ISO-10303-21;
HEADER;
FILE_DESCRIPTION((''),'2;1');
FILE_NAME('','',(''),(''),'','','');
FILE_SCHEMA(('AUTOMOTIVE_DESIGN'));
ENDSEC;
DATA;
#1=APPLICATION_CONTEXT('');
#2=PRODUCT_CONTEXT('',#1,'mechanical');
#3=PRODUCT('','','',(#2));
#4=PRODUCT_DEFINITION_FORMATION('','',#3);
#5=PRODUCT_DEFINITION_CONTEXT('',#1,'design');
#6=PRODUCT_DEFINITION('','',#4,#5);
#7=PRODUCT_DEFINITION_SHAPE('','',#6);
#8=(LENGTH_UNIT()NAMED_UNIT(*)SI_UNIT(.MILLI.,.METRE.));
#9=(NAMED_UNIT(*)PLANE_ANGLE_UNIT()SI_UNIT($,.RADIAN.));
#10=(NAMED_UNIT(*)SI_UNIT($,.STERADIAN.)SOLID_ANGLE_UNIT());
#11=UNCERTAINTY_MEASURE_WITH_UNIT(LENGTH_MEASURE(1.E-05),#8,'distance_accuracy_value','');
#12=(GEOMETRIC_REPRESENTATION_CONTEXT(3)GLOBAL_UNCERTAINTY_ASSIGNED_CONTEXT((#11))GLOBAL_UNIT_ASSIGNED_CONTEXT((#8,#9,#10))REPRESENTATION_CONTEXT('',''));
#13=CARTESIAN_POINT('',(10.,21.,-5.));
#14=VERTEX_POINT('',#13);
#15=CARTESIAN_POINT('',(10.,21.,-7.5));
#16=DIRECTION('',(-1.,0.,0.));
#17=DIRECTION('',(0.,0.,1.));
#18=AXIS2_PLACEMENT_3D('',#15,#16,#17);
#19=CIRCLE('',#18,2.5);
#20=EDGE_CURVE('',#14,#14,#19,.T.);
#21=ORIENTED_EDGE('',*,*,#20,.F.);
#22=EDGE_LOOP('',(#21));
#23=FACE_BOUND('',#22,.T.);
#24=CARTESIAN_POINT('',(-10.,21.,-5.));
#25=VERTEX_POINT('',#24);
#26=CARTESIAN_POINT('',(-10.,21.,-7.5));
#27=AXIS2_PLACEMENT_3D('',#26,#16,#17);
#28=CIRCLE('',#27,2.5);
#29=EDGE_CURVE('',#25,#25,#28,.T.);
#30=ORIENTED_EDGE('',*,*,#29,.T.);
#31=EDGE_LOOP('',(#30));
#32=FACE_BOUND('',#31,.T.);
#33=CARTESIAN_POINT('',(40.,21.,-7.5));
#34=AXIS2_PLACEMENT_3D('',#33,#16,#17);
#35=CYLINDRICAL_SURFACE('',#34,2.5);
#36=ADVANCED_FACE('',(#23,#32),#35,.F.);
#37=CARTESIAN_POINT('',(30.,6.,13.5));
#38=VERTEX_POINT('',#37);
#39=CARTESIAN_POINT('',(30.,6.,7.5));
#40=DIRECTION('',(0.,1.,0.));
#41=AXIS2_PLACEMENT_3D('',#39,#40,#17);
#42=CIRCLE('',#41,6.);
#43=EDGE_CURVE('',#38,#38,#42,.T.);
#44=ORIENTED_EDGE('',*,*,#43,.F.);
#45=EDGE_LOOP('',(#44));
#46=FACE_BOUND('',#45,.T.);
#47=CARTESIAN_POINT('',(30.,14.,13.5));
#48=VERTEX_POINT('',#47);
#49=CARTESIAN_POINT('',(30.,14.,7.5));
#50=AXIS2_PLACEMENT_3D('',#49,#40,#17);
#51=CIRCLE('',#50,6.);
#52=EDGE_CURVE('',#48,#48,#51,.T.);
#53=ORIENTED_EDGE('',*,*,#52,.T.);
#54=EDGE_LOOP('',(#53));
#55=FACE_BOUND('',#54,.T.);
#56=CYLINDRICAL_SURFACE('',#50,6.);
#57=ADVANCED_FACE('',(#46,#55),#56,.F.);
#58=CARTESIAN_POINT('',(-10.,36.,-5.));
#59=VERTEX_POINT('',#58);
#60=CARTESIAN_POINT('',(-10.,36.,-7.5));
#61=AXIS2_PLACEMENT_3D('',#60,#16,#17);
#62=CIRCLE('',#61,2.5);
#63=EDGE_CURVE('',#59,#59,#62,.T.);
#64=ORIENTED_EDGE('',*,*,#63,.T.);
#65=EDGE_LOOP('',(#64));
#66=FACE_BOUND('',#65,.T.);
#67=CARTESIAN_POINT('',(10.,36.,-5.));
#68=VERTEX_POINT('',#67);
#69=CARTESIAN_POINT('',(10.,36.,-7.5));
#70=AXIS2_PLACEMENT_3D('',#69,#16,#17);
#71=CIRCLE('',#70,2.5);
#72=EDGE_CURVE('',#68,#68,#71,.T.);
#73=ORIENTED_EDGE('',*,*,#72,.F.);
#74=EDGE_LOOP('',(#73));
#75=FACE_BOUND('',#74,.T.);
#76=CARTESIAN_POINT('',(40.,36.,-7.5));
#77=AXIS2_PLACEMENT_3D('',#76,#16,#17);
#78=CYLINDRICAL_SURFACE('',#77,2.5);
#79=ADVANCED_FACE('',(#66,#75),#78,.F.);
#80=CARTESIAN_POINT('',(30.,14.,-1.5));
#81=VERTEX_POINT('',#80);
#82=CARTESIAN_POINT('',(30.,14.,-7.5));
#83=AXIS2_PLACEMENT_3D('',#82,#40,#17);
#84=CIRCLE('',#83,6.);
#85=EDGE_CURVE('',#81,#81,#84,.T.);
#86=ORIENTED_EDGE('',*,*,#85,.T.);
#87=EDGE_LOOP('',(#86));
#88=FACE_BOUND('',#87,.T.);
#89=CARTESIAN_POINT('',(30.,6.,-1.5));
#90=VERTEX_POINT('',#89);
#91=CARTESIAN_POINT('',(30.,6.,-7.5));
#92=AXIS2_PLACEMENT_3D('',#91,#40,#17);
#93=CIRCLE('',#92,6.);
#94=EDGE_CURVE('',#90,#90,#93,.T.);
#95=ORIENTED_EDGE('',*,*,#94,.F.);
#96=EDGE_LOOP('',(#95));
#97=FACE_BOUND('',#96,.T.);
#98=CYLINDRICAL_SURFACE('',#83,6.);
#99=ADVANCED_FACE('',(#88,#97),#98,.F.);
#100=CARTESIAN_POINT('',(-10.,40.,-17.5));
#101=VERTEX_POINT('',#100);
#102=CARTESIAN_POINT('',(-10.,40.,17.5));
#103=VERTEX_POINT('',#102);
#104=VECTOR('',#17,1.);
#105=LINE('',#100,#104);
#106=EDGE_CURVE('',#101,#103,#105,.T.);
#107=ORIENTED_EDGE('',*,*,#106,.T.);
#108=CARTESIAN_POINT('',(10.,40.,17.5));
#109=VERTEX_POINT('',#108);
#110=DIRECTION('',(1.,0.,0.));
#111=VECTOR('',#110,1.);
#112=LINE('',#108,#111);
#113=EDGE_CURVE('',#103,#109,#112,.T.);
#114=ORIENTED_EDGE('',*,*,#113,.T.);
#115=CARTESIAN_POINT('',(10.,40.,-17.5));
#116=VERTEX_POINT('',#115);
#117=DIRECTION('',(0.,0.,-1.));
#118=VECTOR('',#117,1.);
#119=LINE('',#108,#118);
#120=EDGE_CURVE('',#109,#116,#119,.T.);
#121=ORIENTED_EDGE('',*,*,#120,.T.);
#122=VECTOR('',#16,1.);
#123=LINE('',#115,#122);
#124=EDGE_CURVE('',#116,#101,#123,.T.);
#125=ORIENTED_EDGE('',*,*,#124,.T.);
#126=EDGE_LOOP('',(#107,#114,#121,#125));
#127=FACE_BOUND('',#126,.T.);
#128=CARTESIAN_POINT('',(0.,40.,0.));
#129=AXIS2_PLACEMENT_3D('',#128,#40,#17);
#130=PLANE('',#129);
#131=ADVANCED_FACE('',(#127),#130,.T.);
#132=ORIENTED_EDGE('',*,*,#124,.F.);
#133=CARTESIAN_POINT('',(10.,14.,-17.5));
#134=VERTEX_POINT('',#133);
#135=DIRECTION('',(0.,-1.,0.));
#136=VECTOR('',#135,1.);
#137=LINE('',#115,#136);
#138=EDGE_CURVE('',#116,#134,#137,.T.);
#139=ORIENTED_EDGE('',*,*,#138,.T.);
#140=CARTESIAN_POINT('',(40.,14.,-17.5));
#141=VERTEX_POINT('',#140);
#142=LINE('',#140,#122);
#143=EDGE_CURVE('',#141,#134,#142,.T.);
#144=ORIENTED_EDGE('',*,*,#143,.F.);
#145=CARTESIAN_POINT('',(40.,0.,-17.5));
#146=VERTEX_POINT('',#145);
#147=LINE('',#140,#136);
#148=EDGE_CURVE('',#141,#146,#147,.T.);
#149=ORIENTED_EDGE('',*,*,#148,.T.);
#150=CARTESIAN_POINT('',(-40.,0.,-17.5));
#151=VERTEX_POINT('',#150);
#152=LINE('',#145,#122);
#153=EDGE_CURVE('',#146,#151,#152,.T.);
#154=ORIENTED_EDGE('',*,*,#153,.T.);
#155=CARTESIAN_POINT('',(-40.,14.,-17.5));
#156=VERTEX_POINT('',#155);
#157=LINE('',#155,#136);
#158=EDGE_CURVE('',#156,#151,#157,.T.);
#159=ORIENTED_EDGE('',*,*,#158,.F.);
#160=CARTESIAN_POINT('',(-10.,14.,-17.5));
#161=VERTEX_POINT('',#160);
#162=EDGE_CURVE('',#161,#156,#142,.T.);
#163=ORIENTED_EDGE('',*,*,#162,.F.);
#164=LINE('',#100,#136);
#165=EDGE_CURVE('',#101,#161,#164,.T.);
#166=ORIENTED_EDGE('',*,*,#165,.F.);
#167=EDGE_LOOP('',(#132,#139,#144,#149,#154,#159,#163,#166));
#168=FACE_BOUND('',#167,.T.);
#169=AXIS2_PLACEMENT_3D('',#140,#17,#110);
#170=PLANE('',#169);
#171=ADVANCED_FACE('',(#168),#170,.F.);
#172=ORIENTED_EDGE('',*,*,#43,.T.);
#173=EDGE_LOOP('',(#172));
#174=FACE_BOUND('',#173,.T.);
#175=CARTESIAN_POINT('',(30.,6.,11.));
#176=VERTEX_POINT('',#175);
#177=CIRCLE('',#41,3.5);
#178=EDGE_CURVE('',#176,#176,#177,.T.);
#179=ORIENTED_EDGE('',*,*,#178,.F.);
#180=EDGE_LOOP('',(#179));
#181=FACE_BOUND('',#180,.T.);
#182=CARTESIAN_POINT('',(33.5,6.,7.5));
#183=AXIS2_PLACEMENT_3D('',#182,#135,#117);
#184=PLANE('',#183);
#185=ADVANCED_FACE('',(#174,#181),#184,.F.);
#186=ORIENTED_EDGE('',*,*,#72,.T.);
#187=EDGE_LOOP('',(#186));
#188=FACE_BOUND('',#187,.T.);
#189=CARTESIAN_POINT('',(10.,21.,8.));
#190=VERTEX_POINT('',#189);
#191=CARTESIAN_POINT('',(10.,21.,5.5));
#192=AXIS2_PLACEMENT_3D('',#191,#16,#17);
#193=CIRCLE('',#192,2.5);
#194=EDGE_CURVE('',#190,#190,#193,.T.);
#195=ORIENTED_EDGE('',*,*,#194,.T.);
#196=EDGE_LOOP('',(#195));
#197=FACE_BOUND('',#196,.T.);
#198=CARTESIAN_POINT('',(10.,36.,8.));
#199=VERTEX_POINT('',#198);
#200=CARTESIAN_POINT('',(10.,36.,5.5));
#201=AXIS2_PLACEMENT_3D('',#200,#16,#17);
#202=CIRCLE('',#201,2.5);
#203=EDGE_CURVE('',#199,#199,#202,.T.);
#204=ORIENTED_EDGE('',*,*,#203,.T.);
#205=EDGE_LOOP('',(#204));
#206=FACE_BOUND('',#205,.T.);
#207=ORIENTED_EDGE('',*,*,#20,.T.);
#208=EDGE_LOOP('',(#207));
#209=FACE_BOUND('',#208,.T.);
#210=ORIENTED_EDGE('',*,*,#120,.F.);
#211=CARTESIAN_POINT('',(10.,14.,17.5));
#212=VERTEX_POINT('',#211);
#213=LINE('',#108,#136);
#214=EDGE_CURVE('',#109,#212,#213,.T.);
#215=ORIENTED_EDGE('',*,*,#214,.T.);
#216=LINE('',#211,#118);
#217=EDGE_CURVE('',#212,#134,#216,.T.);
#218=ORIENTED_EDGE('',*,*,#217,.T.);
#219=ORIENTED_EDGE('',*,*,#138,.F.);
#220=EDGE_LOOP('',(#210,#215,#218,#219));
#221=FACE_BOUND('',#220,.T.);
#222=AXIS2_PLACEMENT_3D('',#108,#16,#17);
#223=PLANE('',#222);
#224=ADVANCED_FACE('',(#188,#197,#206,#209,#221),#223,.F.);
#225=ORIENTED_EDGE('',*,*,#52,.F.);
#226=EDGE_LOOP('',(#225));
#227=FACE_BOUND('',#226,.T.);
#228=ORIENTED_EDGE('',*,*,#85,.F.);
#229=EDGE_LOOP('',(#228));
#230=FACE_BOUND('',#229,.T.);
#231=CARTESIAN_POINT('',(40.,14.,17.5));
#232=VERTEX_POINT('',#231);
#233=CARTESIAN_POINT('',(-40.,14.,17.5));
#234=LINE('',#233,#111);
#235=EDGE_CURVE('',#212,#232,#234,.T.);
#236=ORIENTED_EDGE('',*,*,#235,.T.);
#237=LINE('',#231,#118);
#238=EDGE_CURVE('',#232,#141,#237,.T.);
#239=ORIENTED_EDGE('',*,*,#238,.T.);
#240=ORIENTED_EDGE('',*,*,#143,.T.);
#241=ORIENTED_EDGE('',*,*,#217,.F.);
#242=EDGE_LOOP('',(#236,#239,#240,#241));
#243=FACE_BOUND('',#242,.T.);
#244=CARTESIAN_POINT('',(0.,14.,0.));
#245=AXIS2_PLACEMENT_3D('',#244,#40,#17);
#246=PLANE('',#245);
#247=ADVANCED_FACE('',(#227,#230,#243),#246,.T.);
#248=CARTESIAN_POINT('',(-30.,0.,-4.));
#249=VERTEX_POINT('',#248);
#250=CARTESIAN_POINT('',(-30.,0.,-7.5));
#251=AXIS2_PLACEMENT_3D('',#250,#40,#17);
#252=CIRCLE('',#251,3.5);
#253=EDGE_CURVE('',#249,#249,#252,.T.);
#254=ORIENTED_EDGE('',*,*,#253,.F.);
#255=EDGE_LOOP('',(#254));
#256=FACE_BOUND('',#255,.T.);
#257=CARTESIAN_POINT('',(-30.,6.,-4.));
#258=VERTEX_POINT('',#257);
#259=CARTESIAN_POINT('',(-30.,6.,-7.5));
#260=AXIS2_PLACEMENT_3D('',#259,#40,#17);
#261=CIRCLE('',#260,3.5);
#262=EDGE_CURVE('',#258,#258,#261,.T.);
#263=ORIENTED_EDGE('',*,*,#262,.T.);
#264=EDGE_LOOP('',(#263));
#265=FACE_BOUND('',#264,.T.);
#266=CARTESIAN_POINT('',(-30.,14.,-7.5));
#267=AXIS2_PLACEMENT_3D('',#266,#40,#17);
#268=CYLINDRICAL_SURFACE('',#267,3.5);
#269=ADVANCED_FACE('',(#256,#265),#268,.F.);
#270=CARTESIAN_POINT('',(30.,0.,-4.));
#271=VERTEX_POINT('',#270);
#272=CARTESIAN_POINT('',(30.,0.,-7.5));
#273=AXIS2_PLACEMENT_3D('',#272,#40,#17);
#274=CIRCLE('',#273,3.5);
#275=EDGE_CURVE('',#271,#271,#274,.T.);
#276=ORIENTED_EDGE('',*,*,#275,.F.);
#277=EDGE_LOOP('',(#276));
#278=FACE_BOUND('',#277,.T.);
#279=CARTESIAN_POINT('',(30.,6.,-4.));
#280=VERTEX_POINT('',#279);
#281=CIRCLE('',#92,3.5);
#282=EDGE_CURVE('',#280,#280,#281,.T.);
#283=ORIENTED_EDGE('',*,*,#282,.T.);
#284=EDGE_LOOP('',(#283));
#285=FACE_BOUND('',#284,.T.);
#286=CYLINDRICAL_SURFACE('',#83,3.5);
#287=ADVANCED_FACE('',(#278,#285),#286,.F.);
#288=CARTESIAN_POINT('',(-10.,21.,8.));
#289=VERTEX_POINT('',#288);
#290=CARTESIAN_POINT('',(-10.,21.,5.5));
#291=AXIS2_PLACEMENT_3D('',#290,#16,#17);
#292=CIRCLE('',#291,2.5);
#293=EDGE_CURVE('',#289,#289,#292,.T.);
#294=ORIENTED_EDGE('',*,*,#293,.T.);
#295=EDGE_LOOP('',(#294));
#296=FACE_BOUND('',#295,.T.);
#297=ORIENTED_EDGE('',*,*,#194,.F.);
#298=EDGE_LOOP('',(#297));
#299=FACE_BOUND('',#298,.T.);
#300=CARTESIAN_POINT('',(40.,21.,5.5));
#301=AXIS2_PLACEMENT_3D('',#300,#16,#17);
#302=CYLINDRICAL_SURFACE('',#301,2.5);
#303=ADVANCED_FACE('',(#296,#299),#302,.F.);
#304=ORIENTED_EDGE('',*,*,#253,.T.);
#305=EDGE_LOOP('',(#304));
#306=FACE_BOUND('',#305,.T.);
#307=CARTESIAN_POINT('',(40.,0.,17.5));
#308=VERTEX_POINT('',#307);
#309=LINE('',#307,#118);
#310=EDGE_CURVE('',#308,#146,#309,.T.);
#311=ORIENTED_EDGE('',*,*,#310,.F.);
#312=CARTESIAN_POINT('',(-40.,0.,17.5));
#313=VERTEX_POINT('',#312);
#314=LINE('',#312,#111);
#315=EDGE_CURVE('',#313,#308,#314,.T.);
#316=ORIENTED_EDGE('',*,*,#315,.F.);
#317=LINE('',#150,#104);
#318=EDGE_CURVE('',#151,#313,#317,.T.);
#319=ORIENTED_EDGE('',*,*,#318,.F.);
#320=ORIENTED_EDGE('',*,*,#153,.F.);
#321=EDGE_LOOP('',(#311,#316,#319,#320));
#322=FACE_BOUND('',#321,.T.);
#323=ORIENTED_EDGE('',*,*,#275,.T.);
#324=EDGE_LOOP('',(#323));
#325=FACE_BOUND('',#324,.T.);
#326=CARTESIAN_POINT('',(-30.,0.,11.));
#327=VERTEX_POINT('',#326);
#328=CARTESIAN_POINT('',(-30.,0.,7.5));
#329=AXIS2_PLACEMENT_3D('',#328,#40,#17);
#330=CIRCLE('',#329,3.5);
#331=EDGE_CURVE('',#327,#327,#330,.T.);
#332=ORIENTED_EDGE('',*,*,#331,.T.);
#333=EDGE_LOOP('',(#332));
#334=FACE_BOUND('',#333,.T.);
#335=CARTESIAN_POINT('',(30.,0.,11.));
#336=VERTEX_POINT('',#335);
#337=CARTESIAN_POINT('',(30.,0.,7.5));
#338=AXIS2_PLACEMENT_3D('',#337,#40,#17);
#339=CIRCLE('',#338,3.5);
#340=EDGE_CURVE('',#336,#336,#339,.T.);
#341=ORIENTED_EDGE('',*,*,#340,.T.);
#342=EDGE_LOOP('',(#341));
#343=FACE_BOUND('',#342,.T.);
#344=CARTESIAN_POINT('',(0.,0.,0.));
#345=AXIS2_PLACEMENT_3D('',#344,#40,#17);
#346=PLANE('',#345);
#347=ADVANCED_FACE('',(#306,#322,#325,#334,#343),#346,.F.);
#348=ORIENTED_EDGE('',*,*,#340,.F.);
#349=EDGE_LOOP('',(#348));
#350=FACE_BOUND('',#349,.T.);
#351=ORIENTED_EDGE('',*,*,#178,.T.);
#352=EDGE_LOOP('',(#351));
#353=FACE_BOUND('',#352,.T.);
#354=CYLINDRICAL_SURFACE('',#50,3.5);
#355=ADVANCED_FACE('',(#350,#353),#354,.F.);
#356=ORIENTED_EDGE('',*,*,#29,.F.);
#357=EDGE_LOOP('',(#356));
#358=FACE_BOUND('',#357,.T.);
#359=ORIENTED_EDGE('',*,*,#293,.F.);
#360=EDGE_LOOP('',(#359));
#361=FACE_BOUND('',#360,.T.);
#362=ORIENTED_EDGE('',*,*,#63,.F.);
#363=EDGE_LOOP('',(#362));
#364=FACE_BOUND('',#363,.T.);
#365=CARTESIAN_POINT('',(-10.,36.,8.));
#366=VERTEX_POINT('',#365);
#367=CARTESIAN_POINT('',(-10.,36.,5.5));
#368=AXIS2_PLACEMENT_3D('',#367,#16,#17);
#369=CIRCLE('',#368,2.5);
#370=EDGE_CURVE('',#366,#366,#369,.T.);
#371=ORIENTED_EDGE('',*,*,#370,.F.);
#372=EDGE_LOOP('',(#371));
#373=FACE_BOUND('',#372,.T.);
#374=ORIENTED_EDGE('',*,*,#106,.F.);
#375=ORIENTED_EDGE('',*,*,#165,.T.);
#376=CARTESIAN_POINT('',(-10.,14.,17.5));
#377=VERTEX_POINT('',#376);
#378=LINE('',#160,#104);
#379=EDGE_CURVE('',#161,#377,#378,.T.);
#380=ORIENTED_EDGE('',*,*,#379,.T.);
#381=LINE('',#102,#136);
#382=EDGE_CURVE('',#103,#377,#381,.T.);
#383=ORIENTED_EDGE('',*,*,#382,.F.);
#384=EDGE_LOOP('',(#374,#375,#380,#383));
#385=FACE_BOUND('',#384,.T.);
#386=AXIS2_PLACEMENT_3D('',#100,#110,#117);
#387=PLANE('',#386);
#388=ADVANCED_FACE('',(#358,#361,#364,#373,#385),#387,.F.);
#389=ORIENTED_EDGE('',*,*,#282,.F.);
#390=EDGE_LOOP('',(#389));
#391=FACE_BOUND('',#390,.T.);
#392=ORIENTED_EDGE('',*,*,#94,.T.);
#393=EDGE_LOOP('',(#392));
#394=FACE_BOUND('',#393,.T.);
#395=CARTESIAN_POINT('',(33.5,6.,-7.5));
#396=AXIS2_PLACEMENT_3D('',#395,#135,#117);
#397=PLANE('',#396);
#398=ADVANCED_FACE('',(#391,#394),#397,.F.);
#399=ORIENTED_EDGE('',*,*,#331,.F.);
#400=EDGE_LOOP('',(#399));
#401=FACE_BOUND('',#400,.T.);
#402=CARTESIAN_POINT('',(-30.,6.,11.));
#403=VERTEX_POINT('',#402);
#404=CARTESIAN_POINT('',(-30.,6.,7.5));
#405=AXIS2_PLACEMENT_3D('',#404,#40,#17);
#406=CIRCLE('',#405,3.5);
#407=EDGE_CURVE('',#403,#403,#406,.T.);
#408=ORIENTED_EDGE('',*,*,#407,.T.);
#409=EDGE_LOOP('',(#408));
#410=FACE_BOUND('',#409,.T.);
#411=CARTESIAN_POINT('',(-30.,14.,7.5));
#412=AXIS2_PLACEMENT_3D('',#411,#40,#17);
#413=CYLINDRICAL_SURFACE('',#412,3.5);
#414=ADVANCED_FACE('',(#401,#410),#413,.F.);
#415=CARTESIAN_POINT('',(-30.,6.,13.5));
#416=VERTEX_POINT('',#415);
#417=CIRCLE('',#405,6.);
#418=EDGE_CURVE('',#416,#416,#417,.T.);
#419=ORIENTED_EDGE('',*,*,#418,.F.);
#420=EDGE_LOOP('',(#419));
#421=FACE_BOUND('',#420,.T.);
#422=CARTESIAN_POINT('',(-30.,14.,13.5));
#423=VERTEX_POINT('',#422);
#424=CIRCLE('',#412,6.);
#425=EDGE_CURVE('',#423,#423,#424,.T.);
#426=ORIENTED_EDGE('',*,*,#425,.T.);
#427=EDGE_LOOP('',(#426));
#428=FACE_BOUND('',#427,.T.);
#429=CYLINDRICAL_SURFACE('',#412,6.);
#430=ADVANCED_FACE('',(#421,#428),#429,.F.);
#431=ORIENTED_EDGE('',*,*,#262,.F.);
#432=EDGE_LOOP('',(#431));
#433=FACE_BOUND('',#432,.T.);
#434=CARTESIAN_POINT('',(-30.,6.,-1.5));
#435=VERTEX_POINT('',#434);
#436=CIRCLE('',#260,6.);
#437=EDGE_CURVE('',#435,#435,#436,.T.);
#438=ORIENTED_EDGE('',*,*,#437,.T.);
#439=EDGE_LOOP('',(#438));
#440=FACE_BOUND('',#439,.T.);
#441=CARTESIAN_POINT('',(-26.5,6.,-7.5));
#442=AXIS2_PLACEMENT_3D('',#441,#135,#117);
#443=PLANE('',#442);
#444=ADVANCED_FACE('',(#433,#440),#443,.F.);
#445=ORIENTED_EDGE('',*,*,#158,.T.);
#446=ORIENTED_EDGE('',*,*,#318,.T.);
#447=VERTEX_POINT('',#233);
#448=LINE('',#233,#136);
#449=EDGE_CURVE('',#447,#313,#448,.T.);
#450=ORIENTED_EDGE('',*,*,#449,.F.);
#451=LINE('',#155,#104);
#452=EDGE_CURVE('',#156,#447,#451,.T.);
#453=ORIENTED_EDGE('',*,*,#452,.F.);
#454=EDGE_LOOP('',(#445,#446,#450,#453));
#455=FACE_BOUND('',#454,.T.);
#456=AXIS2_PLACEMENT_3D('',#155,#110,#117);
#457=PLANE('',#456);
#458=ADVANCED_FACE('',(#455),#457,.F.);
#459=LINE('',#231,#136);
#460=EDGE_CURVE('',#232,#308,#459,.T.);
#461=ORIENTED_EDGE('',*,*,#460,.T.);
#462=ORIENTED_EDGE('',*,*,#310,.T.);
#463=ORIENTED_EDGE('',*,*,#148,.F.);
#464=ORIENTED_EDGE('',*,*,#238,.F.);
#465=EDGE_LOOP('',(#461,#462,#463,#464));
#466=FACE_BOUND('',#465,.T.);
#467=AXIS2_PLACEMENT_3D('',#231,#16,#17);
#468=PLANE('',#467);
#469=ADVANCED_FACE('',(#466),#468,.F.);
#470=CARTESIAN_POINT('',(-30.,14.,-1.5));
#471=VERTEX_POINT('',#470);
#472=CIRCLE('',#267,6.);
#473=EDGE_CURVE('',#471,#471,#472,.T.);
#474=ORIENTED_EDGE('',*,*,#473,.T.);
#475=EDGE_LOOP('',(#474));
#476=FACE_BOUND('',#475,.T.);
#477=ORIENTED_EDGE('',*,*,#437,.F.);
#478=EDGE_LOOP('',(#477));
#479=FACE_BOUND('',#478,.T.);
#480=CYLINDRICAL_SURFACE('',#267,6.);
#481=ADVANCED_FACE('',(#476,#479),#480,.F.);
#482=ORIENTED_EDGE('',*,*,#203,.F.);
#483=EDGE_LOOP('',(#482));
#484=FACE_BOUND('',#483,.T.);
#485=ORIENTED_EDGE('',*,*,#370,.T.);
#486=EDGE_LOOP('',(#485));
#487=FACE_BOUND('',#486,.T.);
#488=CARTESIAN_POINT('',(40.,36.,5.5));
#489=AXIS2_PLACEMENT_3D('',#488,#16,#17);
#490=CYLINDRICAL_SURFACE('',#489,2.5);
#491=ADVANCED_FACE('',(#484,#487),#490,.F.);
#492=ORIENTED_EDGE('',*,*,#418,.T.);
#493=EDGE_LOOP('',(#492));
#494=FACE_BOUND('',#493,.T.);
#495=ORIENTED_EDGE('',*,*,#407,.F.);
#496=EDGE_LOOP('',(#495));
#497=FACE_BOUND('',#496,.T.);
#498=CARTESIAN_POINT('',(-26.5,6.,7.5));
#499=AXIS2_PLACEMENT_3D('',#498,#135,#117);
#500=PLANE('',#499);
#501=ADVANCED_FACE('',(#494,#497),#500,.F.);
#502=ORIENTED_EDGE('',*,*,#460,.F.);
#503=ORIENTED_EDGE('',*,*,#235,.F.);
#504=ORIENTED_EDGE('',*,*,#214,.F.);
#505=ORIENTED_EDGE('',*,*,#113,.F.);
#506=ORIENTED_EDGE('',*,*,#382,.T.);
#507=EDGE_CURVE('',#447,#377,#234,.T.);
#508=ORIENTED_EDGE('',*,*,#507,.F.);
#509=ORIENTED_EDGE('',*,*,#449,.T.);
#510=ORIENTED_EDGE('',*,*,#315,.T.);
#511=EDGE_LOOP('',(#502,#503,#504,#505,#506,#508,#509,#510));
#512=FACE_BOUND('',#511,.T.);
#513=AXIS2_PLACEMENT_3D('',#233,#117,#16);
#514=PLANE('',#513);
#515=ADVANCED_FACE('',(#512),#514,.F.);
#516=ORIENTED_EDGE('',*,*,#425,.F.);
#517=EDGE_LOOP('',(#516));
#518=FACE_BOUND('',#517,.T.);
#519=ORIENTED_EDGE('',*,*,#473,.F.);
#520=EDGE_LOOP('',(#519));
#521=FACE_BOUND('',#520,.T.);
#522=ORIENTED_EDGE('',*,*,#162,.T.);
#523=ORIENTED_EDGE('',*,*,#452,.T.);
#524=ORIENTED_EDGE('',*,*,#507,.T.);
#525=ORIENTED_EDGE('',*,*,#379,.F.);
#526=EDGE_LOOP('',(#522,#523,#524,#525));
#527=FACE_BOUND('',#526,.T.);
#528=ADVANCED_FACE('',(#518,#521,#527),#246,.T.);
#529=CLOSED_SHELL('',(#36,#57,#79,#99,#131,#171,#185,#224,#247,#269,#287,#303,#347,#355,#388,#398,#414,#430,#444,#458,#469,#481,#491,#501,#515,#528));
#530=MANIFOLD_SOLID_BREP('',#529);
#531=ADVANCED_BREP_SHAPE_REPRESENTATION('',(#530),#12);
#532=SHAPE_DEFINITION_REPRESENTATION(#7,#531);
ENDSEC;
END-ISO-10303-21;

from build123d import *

# Parameters (mm, degrees)
SKETCH_1_W                    = 80
SKETCH_1_H                    = 35
EXTRUDE_1_DEPTH               = 14
SKETCH_2_W                    = 20
SKETCH_2_H                    = 35
EXTRUDE_2_DEPTH               = 26
HOLE_WIZARD_M20_1_D           = 7
HOLE_WIZARD_M20_1_CBORE_D     = 12
HOLE_WIZARD_M20_1_CBORE_DEPTH = 8
PATTERN_LINEAR_1_COUNT        = 2
PATTERN_LINEAR_1_PITCH        = 60
PATTERN_LINEAR_1_COUNT_DIR2   = 2
PATTERN_LINEAR_1_PITCH_DIR2   = 15
SKETCH_5_R                    = 2.5
CUT_EXTRUDE_1_DEPTH           = 67.379590237
PATTERN_LINEAR_2_COUNT        = 2
PATTERN_LINEAR_2_PITCH        = 13
PATTERN_LINEAR_2_COUNT_DIR2   = 2
PATTERN_LINEAR_2_PITCH_DIR2   = 15


with BuildPart() as part:
    # 草图1 → 凸台-拉伸1 (new body)
    with BuildSketch(Plane(origin=(0, 0, 0), x_dir=(1, 0, 0), z_dir=(0, 1, 0))):
        Rectangle(SKETCH_1_W, SKETCH_1_H)
    extrude(amount=EXTRUDE_1_DEPTH)

    # 草图2 → 凸台-拉伸2 (add)
    with BuildSketch(Plane(origin=(0, 14, 0), x_dir=(1, 0, 0), z_dir=(0, 1, 0))):
        Rectangle(SKETCH_2_W, SKETCH_2_H)
    extrude(amount=EXTRUDE_2_DEPTH)

    # M20 六角头螺栓的柱形沉头孔1 (through all)
    with Locations(Plane(origin=(0, 14, 0), x_dir=(1, 0, 0), z_dir=(0, 1, 0))):
        with Locations((-30, 7.5)):
            hole_wizard_m20_1 = CounterBoreHole(HOLE_WIZARD_M20_1_D / 2, HOLE_WIZARD_M20_1_CBORE_D / 2, HOLE_WIZARD_M20_1_CBORE_DEPTH)

    # 阵列(线性)1: Hole Wizard M20 _1 2 × 2
    with Locations(*[(i * PATTERN_LINEAR_1_PITCH, 0, j * PATTERN_LINEAR_1_PITCH_DIR2) for i in range(PATTERN_LINEAR_1_COUNT) for j in range(PATTERN_LINEAR_1_COUNT_DIR2) if (i, j) != (0, 0)]):
        add(hole_wizard_m20_1, mode=Mode.SUBTRACT)

    # 草图5 → 切除-拉伸1 (cut, through all)
    with BuildSketch(Plane.ZY.offset(10)):
        with Locations((-7.5, 21)):
            Circle(SKETCH_5_R)
    cut_extrude_1 = extrude(amount=-CUT_EXTRUDE_1_DEPTH, mode=Mode.SUBTRACT)

    # 阵列(线性)2: Cut-Extrude 1 2 × 2
    with Locations(*[(0, j * PATTERN_LINEAR_2_PITCH_DIR2, i * PATTERN_LINEAR_2_PITCH) for i in range(PATTERN_LINEAR_2_COUNT) for j in range(PATTERN_LINEAR_2_COUNT_DIR2) if (i, j) != (0, 0)]):
        add(cut_extrude_1, mode=Mode.SUBTRACT)


solid = part.part
